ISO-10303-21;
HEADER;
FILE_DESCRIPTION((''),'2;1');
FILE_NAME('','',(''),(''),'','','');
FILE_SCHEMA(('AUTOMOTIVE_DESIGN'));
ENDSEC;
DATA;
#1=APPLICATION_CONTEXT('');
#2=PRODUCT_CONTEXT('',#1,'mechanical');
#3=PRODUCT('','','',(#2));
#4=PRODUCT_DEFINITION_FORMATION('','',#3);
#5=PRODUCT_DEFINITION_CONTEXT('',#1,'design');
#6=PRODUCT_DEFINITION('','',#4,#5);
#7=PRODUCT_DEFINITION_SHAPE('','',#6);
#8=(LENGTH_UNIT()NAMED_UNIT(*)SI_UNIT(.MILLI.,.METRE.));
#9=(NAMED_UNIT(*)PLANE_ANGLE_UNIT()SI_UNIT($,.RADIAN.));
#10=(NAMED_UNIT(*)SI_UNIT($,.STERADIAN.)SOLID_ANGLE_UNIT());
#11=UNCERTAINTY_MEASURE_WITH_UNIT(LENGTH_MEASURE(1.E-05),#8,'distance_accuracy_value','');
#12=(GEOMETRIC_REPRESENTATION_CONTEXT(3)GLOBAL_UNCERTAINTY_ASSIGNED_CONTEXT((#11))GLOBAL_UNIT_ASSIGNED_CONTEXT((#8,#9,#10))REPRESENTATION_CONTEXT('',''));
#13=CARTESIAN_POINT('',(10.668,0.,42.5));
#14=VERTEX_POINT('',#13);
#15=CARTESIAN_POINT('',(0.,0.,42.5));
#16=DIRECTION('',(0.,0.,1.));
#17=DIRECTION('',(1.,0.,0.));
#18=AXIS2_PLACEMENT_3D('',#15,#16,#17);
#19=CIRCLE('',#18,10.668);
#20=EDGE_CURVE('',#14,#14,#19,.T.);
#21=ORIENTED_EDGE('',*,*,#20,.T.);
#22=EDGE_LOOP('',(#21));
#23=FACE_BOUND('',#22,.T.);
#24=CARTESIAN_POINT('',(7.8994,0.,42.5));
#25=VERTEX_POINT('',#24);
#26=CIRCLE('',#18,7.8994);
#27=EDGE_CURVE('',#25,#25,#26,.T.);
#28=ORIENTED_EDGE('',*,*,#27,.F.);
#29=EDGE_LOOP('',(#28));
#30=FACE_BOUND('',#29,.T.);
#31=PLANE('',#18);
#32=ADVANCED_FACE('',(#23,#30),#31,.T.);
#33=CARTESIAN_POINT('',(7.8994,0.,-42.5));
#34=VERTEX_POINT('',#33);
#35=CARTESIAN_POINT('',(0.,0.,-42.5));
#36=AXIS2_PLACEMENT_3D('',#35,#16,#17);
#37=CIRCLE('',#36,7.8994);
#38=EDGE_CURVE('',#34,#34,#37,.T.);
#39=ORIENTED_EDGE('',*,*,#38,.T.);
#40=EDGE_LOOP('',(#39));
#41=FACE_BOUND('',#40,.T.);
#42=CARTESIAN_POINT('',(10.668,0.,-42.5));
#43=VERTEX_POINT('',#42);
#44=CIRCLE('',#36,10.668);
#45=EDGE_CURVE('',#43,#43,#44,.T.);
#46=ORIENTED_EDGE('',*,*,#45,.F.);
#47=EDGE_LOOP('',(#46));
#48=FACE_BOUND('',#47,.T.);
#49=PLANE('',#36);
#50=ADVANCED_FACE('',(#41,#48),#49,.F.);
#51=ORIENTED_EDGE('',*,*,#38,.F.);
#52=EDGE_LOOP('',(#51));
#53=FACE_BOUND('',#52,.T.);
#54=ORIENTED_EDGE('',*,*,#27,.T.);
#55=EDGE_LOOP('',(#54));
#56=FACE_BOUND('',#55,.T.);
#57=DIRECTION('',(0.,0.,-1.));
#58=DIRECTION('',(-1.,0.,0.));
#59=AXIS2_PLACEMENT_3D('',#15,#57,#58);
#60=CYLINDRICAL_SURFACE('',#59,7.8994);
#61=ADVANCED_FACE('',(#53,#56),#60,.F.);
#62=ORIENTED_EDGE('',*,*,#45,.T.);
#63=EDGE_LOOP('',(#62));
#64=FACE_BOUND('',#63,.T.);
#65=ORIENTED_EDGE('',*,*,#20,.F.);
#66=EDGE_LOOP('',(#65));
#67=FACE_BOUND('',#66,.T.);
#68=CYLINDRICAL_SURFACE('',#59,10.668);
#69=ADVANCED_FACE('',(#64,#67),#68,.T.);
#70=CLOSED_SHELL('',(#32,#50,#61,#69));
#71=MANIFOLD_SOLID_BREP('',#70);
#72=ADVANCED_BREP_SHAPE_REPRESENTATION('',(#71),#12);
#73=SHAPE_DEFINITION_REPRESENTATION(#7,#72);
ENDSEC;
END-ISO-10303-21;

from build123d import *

# Parameters (mm, degrees)
SKETCH1_R           = 10.668
SKETCH1_R_2         = 7.8994
EXTRUDE_THIN1_DEPTH = 42.5


with BuildPart() as part:
    # Sketch1 → Extrude-Thin1 (new body, symmetric)
    with BuildSketch(Plane.XY):
        Circle(SKETCH1_R)
        Circle(SKETCH1_R_2, mode=Mode.SUBTRACT)
    extrude(amount=EXTRUDE_THIN1_DEPTH, both=True)


solid = part.part
